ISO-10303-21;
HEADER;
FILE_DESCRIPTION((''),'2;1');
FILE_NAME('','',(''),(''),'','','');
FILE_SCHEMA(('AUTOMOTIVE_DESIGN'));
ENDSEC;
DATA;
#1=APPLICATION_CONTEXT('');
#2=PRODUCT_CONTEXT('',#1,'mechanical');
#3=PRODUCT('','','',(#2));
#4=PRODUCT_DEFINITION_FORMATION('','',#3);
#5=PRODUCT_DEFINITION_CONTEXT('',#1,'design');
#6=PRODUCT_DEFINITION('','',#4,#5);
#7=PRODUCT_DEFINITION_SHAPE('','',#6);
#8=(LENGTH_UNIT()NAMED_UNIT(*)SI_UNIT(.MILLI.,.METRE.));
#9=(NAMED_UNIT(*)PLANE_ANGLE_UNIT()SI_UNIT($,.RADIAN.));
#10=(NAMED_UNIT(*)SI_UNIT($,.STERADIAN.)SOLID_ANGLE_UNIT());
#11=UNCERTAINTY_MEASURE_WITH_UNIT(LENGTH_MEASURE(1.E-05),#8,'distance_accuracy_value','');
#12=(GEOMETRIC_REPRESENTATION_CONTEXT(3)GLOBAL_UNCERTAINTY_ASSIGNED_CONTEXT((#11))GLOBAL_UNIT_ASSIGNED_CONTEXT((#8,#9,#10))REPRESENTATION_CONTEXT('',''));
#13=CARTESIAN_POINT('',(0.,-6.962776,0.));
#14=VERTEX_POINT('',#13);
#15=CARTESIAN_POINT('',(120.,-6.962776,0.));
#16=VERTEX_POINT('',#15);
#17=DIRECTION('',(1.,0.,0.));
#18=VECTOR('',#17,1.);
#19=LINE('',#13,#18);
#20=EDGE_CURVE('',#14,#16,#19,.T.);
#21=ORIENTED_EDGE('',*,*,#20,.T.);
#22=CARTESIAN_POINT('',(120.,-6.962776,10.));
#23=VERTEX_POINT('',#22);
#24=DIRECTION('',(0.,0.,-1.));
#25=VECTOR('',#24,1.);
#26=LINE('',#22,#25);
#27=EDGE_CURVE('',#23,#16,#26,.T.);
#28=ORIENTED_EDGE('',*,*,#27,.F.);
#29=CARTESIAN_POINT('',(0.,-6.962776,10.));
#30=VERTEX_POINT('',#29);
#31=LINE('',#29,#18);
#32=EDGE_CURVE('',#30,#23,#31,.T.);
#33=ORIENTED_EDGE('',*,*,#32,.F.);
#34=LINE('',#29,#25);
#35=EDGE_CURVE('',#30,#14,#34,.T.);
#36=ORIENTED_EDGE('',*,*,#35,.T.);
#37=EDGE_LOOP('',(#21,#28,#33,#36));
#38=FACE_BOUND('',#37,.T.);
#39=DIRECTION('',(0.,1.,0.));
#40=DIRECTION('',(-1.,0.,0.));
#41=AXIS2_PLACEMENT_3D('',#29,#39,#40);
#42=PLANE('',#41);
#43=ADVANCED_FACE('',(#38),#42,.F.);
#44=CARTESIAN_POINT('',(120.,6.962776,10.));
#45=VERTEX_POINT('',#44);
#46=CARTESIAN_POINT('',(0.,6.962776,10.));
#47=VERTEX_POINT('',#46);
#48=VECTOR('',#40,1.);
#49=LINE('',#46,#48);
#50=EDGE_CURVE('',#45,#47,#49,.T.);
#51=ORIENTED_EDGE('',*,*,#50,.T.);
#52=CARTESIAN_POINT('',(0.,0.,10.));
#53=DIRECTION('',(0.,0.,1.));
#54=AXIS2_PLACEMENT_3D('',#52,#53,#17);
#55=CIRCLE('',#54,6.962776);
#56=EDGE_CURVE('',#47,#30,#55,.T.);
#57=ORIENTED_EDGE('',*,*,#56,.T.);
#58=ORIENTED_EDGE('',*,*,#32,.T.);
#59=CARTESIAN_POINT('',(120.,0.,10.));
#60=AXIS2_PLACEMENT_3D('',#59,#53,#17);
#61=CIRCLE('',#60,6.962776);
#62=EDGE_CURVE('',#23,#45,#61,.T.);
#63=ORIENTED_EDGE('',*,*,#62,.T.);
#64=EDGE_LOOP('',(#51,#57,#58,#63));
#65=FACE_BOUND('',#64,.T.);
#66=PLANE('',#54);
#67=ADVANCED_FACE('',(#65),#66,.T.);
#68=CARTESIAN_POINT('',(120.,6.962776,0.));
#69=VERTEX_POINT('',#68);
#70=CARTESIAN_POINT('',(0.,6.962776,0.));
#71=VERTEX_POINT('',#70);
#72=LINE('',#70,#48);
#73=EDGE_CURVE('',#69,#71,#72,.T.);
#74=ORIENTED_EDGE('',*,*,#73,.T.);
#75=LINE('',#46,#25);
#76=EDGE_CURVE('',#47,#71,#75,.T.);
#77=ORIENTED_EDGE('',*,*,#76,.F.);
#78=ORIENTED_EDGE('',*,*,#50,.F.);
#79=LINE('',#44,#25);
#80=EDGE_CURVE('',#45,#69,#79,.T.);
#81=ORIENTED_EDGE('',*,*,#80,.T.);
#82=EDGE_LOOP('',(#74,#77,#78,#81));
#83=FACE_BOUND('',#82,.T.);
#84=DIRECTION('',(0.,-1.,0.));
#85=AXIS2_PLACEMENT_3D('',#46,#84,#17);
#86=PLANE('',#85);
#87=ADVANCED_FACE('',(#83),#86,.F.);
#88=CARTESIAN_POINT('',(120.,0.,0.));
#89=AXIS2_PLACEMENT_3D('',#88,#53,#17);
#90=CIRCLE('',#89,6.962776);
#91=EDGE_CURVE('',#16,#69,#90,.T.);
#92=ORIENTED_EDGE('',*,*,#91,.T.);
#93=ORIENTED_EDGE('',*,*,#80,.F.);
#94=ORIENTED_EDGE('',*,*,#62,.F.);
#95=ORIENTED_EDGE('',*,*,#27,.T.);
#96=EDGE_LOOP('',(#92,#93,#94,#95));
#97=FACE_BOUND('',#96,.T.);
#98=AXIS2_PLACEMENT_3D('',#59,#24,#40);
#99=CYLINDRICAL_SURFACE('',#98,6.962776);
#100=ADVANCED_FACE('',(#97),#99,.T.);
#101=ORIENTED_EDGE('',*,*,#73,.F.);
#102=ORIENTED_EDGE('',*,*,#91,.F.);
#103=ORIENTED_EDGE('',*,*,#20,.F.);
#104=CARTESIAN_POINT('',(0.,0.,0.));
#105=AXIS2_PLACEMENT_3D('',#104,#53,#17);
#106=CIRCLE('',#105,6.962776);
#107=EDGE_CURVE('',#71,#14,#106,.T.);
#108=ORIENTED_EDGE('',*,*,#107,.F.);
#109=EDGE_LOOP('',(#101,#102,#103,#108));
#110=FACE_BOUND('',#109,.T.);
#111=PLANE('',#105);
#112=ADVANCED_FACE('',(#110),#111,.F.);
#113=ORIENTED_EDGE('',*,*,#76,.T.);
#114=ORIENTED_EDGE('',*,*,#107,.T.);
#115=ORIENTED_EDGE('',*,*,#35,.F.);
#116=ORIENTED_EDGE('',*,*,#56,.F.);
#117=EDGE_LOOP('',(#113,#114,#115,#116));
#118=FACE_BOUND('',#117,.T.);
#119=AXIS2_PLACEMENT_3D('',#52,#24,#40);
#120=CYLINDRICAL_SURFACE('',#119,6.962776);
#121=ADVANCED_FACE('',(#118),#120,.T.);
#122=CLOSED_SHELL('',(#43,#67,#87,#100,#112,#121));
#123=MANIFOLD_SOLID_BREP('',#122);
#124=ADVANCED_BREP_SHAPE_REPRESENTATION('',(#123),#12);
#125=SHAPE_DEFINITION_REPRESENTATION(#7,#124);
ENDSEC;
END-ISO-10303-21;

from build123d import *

# Parameters (mm, degrees)
EXTRUDE_1_DEPTH = 10


with BuildPart() as part:
    # 草图1 → 凸台-拉伸1 (new body)
    with BuildSketch(Plane.XY):
        with BuildLine():
            Line((0, 6.962775782), (120, 6.962775782))
            ThreePointArc((120, 6.962775782), (126.962775782, 0), (120, -6.962775782))
            Line((120, -6.962775782), (0, -6.962775782))
            ThreePointArc((0, -6.962775782), (-6.962775782, 0), (0, 6.962775782))
        make_face()
    extrude(amount=EXTRUDE_1_DEPTH)


solid = part.part
